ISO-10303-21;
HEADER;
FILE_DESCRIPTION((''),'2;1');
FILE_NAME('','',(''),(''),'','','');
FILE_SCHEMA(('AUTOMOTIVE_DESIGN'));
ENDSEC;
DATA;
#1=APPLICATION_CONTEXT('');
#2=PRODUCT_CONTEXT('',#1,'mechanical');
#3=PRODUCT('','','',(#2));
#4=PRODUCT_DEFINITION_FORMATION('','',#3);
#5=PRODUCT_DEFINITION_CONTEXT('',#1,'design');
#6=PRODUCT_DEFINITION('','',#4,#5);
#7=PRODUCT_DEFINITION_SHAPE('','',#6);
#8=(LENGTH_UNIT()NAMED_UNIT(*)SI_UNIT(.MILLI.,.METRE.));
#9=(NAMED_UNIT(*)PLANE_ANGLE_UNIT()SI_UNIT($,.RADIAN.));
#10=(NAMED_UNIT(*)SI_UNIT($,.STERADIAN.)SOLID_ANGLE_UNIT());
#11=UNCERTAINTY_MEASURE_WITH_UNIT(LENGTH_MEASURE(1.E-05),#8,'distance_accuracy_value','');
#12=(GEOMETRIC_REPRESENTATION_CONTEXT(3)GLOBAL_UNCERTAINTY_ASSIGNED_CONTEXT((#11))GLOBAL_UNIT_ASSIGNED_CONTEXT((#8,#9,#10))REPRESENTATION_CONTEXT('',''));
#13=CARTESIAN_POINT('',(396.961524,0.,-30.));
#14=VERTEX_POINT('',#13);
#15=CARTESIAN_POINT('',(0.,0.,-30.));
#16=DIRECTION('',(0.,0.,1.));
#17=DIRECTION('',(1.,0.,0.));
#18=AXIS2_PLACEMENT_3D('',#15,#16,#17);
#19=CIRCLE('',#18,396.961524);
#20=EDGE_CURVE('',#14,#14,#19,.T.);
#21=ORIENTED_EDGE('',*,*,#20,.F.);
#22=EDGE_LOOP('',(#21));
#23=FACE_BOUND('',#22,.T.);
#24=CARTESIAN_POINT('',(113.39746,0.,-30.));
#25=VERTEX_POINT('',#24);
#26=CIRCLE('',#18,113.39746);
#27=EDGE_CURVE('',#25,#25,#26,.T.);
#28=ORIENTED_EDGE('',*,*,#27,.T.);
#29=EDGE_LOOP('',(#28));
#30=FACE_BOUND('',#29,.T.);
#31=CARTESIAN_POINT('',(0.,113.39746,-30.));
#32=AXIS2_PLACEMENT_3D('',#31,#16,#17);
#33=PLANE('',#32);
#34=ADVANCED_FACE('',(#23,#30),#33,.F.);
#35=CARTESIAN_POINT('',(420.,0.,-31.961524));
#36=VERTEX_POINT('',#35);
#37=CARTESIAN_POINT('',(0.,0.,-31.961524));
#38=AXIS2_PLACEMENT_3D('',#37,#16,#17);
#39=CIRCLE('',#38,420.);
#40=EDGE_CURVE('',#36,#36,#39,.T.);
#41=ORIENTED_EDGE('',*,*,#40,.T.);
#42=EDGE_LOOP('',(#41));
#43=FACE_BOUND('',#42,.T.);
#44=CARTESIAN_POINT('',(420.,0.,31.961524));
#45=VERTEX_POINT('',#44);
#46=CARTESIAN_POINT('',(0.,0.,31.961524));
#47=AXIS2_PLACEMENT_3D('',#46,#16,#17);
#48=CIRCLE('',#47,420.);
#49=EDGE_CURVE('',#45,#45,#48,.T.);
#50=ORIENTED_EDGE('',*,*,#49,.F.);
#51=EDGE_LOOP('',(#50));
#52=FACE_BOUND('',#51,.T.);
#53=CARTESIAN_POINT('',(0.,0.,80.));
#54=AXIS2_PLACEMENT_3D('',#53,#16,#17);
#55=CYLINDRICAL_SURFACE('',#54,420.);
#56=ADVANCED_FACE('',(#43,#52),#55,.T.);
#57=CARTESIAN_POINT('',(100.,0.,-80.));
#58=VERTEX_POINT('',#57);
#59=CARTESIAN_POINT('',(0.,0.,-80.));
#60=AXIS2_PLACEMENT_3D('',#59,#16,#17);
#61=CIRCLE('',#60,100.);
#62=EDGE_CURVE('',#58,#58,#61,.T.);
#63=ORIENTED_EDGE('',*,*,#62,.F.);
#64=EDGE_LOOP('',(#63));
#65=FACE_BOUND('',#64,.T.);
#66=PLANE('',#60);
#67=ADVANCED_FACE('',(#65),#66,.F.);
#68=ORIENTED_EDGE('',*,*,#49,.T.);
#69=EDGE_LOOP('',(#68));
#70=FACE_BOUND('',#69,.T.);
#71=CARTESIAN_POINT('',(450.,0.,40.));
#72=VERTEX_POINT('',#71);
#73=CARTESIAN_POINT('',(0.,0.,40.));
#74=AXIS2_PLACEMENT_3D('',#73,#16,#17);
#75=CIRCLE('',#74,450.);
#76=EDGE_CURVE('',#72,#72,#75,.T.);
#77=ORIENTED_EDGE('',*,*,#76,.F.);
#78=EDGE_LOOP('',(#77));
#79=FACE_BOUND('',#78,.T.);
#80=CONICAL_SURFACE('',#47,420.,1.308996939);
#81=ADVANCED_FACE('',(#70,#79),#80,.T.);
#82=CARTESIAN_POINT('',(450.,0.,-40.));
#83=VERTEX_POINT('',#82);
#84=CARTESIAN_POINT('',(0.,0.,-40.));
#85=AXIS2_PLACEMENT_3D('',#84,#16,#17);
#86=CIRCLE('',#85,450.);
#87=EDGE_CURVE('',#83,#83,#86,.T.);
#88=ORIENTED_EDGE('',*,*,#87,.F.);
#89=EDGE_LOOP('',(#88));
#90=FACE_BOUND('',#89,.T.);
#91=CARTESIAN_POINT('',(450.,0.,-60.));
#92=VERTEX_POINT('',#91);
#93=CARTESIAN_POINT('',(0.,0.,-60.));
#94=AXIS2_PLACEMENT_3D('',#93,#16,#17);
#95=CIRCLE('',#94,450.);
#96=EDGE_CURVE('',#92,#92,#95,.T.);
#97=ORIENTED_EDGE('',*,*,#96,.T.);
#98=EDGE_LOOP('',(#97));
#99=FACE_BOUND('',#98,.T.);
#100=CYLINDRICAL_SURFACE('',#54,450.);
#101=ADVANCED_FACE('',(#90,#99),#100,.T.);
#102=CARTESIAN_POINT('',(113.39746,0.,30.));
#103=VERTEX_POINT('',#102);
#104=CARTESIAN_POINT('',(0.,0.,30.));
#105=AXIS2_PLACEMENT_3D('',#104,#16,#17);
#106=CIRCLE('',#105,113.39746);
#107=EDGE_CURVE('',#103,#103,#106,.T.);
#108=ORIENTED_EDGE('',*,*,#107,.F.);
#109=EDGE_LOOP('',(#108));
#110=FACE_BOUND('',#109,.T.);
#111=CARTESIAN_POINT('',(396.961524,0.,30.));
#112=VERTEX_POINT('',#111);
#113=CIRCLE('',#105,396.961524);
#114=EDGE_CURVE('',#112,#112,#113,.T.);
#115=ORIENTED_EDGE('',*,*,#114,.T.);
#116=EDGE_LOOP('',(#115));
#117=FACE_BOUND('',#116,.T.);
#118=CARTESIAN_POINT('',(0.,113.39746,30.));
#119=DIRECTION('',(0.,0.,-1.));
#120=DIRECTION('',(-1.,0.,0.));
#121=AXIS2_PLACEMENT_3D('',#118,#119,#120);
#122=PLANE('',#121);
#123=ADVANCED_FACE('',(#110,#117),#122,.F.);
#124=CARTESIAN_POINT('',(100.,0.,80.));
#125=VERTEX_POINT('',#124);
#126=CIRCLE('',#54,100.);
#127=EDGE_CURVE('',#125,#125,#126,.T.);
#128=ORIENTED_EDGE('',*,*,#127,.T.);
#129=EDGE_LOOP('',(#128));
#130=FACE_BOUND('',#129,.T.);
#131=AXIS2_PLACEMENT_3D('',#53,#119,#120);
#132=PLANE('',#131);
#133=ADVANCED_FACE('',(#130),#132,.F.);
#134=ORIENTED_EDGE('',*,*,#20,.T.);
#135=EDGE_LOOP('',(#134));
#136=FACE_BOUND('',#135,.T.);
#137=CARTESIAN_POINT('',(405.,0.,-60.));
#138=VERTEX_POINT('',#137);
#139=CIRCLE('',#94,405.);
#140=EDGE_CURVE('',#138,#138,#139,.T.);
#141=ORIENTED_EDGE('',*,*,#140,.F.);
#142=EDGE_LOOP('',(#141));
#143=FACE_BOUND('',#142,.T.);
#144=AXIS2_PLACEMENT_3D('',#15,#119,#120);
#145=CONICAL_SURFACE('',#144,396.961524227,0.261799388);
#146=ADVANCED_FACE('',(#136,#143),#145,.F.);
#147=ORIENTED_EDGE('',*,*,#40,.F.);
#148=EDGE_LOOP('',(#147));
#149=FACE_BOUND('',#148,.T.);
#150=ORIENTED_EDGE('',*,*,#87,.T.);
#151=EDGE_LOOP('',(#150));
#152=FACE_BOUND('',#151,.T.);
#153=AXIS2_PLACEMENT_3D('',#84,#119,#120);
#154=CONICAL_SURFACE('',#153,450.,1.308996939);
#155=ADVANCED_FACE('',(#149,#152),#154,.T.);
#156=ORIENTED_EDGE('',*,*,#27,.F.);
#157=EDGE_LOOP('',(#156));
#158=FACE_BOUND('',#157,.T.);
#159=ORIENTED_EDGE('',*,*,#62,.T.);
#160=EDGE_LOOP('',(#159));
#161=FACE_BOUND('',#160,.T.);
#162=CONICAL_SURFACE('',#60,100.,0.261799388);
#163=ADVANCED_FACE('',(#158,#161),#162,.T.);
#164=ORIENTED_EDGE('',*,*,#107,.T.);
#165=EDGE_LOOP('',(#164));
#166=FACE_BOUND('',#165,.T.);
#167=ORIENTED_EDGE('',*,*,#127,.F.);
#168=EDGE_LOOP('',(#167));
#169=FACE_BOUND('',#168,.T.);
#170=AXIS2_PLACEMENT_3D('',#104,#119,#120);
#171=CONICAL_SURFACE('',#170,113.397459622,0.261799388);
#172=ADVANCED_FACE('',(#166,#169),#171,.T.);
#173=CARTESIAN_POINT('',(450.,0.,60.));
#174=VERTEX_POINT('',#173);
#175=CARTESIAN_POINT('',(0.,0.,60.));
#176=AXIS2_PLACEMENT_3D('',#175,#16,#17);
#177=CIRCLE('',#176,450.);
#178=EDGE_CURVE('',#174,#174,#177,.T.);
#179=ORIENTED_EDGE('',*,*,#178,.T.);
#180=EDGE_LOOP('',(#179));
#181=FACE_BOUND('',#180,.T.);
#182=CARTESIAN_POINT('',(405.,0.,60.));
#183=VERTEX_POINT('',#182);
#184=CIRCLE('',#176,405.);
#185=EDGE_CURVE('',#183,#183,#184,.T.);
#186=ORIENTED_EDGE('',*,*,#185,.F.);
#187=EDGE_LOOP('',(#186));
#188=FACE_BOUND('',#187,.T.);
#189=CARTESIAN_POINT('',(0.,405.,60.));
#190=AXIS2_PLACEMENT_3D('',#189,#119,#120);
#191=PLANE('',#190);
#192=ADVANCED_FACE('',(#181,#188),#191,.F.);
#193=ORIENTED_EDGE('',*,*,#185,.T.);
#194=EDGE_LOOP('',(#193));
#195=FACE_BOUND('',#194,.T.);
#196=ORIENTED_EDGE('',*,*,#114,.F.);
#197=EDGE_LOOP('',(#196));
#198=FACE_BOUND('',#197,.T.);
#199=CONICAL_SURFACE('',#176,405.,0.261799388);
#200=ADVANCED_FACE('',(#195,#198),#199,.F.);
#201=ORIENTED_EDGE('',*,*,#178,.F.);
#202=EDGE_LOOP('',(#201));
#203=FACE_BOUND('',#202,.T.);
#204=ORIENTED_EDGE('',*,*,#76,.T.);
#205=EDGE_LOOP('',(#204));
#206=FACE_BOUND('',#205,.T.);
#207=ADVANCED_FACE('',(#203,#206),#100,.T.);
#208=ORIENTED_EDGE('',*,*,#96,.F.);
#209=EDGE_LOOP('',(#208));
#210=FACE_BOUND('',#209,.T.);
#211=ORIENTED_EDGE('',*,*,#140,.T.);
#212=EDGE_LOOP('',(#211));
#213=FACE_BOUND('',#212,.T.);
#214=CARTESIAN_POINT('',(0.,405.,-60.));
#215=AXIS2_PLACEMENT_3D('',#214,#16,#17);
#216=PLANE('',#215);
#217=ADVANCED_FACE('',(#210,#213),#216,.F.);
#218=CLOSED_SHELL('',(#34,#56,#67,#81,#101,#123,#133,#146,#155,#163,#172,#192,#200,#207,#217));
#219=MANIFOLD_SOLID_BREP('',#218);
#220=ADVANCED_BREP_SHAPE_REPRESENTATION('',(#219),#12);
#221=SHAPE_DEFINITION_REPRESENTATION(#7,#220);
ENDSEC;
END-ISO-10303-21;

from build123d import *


with BuildPart() as part:
    # Sketch1 → Revolve1 (revolve)
    with BuildSketch(Plane(origin=(0, 0, 0), x_dir=(0, 0, -1), z_dir=(1, 0, 0))):
        Polygon((-80, 0), (-80, 100), (-30, 113.397459622), (-30, 396.961524227), (-60, 405), (-60, 450), (-40, 450), (-31.961524227, 420), (31.961524227, 420), (40, 450), (60, 450), (60, 405), (30, 396.961524227), (30, 113.397459622), (80, 100), (80, 0), align=None)
    revolve(axis=Axis((0, 0, 80), (0, 0, -1)))


solid = part.part
